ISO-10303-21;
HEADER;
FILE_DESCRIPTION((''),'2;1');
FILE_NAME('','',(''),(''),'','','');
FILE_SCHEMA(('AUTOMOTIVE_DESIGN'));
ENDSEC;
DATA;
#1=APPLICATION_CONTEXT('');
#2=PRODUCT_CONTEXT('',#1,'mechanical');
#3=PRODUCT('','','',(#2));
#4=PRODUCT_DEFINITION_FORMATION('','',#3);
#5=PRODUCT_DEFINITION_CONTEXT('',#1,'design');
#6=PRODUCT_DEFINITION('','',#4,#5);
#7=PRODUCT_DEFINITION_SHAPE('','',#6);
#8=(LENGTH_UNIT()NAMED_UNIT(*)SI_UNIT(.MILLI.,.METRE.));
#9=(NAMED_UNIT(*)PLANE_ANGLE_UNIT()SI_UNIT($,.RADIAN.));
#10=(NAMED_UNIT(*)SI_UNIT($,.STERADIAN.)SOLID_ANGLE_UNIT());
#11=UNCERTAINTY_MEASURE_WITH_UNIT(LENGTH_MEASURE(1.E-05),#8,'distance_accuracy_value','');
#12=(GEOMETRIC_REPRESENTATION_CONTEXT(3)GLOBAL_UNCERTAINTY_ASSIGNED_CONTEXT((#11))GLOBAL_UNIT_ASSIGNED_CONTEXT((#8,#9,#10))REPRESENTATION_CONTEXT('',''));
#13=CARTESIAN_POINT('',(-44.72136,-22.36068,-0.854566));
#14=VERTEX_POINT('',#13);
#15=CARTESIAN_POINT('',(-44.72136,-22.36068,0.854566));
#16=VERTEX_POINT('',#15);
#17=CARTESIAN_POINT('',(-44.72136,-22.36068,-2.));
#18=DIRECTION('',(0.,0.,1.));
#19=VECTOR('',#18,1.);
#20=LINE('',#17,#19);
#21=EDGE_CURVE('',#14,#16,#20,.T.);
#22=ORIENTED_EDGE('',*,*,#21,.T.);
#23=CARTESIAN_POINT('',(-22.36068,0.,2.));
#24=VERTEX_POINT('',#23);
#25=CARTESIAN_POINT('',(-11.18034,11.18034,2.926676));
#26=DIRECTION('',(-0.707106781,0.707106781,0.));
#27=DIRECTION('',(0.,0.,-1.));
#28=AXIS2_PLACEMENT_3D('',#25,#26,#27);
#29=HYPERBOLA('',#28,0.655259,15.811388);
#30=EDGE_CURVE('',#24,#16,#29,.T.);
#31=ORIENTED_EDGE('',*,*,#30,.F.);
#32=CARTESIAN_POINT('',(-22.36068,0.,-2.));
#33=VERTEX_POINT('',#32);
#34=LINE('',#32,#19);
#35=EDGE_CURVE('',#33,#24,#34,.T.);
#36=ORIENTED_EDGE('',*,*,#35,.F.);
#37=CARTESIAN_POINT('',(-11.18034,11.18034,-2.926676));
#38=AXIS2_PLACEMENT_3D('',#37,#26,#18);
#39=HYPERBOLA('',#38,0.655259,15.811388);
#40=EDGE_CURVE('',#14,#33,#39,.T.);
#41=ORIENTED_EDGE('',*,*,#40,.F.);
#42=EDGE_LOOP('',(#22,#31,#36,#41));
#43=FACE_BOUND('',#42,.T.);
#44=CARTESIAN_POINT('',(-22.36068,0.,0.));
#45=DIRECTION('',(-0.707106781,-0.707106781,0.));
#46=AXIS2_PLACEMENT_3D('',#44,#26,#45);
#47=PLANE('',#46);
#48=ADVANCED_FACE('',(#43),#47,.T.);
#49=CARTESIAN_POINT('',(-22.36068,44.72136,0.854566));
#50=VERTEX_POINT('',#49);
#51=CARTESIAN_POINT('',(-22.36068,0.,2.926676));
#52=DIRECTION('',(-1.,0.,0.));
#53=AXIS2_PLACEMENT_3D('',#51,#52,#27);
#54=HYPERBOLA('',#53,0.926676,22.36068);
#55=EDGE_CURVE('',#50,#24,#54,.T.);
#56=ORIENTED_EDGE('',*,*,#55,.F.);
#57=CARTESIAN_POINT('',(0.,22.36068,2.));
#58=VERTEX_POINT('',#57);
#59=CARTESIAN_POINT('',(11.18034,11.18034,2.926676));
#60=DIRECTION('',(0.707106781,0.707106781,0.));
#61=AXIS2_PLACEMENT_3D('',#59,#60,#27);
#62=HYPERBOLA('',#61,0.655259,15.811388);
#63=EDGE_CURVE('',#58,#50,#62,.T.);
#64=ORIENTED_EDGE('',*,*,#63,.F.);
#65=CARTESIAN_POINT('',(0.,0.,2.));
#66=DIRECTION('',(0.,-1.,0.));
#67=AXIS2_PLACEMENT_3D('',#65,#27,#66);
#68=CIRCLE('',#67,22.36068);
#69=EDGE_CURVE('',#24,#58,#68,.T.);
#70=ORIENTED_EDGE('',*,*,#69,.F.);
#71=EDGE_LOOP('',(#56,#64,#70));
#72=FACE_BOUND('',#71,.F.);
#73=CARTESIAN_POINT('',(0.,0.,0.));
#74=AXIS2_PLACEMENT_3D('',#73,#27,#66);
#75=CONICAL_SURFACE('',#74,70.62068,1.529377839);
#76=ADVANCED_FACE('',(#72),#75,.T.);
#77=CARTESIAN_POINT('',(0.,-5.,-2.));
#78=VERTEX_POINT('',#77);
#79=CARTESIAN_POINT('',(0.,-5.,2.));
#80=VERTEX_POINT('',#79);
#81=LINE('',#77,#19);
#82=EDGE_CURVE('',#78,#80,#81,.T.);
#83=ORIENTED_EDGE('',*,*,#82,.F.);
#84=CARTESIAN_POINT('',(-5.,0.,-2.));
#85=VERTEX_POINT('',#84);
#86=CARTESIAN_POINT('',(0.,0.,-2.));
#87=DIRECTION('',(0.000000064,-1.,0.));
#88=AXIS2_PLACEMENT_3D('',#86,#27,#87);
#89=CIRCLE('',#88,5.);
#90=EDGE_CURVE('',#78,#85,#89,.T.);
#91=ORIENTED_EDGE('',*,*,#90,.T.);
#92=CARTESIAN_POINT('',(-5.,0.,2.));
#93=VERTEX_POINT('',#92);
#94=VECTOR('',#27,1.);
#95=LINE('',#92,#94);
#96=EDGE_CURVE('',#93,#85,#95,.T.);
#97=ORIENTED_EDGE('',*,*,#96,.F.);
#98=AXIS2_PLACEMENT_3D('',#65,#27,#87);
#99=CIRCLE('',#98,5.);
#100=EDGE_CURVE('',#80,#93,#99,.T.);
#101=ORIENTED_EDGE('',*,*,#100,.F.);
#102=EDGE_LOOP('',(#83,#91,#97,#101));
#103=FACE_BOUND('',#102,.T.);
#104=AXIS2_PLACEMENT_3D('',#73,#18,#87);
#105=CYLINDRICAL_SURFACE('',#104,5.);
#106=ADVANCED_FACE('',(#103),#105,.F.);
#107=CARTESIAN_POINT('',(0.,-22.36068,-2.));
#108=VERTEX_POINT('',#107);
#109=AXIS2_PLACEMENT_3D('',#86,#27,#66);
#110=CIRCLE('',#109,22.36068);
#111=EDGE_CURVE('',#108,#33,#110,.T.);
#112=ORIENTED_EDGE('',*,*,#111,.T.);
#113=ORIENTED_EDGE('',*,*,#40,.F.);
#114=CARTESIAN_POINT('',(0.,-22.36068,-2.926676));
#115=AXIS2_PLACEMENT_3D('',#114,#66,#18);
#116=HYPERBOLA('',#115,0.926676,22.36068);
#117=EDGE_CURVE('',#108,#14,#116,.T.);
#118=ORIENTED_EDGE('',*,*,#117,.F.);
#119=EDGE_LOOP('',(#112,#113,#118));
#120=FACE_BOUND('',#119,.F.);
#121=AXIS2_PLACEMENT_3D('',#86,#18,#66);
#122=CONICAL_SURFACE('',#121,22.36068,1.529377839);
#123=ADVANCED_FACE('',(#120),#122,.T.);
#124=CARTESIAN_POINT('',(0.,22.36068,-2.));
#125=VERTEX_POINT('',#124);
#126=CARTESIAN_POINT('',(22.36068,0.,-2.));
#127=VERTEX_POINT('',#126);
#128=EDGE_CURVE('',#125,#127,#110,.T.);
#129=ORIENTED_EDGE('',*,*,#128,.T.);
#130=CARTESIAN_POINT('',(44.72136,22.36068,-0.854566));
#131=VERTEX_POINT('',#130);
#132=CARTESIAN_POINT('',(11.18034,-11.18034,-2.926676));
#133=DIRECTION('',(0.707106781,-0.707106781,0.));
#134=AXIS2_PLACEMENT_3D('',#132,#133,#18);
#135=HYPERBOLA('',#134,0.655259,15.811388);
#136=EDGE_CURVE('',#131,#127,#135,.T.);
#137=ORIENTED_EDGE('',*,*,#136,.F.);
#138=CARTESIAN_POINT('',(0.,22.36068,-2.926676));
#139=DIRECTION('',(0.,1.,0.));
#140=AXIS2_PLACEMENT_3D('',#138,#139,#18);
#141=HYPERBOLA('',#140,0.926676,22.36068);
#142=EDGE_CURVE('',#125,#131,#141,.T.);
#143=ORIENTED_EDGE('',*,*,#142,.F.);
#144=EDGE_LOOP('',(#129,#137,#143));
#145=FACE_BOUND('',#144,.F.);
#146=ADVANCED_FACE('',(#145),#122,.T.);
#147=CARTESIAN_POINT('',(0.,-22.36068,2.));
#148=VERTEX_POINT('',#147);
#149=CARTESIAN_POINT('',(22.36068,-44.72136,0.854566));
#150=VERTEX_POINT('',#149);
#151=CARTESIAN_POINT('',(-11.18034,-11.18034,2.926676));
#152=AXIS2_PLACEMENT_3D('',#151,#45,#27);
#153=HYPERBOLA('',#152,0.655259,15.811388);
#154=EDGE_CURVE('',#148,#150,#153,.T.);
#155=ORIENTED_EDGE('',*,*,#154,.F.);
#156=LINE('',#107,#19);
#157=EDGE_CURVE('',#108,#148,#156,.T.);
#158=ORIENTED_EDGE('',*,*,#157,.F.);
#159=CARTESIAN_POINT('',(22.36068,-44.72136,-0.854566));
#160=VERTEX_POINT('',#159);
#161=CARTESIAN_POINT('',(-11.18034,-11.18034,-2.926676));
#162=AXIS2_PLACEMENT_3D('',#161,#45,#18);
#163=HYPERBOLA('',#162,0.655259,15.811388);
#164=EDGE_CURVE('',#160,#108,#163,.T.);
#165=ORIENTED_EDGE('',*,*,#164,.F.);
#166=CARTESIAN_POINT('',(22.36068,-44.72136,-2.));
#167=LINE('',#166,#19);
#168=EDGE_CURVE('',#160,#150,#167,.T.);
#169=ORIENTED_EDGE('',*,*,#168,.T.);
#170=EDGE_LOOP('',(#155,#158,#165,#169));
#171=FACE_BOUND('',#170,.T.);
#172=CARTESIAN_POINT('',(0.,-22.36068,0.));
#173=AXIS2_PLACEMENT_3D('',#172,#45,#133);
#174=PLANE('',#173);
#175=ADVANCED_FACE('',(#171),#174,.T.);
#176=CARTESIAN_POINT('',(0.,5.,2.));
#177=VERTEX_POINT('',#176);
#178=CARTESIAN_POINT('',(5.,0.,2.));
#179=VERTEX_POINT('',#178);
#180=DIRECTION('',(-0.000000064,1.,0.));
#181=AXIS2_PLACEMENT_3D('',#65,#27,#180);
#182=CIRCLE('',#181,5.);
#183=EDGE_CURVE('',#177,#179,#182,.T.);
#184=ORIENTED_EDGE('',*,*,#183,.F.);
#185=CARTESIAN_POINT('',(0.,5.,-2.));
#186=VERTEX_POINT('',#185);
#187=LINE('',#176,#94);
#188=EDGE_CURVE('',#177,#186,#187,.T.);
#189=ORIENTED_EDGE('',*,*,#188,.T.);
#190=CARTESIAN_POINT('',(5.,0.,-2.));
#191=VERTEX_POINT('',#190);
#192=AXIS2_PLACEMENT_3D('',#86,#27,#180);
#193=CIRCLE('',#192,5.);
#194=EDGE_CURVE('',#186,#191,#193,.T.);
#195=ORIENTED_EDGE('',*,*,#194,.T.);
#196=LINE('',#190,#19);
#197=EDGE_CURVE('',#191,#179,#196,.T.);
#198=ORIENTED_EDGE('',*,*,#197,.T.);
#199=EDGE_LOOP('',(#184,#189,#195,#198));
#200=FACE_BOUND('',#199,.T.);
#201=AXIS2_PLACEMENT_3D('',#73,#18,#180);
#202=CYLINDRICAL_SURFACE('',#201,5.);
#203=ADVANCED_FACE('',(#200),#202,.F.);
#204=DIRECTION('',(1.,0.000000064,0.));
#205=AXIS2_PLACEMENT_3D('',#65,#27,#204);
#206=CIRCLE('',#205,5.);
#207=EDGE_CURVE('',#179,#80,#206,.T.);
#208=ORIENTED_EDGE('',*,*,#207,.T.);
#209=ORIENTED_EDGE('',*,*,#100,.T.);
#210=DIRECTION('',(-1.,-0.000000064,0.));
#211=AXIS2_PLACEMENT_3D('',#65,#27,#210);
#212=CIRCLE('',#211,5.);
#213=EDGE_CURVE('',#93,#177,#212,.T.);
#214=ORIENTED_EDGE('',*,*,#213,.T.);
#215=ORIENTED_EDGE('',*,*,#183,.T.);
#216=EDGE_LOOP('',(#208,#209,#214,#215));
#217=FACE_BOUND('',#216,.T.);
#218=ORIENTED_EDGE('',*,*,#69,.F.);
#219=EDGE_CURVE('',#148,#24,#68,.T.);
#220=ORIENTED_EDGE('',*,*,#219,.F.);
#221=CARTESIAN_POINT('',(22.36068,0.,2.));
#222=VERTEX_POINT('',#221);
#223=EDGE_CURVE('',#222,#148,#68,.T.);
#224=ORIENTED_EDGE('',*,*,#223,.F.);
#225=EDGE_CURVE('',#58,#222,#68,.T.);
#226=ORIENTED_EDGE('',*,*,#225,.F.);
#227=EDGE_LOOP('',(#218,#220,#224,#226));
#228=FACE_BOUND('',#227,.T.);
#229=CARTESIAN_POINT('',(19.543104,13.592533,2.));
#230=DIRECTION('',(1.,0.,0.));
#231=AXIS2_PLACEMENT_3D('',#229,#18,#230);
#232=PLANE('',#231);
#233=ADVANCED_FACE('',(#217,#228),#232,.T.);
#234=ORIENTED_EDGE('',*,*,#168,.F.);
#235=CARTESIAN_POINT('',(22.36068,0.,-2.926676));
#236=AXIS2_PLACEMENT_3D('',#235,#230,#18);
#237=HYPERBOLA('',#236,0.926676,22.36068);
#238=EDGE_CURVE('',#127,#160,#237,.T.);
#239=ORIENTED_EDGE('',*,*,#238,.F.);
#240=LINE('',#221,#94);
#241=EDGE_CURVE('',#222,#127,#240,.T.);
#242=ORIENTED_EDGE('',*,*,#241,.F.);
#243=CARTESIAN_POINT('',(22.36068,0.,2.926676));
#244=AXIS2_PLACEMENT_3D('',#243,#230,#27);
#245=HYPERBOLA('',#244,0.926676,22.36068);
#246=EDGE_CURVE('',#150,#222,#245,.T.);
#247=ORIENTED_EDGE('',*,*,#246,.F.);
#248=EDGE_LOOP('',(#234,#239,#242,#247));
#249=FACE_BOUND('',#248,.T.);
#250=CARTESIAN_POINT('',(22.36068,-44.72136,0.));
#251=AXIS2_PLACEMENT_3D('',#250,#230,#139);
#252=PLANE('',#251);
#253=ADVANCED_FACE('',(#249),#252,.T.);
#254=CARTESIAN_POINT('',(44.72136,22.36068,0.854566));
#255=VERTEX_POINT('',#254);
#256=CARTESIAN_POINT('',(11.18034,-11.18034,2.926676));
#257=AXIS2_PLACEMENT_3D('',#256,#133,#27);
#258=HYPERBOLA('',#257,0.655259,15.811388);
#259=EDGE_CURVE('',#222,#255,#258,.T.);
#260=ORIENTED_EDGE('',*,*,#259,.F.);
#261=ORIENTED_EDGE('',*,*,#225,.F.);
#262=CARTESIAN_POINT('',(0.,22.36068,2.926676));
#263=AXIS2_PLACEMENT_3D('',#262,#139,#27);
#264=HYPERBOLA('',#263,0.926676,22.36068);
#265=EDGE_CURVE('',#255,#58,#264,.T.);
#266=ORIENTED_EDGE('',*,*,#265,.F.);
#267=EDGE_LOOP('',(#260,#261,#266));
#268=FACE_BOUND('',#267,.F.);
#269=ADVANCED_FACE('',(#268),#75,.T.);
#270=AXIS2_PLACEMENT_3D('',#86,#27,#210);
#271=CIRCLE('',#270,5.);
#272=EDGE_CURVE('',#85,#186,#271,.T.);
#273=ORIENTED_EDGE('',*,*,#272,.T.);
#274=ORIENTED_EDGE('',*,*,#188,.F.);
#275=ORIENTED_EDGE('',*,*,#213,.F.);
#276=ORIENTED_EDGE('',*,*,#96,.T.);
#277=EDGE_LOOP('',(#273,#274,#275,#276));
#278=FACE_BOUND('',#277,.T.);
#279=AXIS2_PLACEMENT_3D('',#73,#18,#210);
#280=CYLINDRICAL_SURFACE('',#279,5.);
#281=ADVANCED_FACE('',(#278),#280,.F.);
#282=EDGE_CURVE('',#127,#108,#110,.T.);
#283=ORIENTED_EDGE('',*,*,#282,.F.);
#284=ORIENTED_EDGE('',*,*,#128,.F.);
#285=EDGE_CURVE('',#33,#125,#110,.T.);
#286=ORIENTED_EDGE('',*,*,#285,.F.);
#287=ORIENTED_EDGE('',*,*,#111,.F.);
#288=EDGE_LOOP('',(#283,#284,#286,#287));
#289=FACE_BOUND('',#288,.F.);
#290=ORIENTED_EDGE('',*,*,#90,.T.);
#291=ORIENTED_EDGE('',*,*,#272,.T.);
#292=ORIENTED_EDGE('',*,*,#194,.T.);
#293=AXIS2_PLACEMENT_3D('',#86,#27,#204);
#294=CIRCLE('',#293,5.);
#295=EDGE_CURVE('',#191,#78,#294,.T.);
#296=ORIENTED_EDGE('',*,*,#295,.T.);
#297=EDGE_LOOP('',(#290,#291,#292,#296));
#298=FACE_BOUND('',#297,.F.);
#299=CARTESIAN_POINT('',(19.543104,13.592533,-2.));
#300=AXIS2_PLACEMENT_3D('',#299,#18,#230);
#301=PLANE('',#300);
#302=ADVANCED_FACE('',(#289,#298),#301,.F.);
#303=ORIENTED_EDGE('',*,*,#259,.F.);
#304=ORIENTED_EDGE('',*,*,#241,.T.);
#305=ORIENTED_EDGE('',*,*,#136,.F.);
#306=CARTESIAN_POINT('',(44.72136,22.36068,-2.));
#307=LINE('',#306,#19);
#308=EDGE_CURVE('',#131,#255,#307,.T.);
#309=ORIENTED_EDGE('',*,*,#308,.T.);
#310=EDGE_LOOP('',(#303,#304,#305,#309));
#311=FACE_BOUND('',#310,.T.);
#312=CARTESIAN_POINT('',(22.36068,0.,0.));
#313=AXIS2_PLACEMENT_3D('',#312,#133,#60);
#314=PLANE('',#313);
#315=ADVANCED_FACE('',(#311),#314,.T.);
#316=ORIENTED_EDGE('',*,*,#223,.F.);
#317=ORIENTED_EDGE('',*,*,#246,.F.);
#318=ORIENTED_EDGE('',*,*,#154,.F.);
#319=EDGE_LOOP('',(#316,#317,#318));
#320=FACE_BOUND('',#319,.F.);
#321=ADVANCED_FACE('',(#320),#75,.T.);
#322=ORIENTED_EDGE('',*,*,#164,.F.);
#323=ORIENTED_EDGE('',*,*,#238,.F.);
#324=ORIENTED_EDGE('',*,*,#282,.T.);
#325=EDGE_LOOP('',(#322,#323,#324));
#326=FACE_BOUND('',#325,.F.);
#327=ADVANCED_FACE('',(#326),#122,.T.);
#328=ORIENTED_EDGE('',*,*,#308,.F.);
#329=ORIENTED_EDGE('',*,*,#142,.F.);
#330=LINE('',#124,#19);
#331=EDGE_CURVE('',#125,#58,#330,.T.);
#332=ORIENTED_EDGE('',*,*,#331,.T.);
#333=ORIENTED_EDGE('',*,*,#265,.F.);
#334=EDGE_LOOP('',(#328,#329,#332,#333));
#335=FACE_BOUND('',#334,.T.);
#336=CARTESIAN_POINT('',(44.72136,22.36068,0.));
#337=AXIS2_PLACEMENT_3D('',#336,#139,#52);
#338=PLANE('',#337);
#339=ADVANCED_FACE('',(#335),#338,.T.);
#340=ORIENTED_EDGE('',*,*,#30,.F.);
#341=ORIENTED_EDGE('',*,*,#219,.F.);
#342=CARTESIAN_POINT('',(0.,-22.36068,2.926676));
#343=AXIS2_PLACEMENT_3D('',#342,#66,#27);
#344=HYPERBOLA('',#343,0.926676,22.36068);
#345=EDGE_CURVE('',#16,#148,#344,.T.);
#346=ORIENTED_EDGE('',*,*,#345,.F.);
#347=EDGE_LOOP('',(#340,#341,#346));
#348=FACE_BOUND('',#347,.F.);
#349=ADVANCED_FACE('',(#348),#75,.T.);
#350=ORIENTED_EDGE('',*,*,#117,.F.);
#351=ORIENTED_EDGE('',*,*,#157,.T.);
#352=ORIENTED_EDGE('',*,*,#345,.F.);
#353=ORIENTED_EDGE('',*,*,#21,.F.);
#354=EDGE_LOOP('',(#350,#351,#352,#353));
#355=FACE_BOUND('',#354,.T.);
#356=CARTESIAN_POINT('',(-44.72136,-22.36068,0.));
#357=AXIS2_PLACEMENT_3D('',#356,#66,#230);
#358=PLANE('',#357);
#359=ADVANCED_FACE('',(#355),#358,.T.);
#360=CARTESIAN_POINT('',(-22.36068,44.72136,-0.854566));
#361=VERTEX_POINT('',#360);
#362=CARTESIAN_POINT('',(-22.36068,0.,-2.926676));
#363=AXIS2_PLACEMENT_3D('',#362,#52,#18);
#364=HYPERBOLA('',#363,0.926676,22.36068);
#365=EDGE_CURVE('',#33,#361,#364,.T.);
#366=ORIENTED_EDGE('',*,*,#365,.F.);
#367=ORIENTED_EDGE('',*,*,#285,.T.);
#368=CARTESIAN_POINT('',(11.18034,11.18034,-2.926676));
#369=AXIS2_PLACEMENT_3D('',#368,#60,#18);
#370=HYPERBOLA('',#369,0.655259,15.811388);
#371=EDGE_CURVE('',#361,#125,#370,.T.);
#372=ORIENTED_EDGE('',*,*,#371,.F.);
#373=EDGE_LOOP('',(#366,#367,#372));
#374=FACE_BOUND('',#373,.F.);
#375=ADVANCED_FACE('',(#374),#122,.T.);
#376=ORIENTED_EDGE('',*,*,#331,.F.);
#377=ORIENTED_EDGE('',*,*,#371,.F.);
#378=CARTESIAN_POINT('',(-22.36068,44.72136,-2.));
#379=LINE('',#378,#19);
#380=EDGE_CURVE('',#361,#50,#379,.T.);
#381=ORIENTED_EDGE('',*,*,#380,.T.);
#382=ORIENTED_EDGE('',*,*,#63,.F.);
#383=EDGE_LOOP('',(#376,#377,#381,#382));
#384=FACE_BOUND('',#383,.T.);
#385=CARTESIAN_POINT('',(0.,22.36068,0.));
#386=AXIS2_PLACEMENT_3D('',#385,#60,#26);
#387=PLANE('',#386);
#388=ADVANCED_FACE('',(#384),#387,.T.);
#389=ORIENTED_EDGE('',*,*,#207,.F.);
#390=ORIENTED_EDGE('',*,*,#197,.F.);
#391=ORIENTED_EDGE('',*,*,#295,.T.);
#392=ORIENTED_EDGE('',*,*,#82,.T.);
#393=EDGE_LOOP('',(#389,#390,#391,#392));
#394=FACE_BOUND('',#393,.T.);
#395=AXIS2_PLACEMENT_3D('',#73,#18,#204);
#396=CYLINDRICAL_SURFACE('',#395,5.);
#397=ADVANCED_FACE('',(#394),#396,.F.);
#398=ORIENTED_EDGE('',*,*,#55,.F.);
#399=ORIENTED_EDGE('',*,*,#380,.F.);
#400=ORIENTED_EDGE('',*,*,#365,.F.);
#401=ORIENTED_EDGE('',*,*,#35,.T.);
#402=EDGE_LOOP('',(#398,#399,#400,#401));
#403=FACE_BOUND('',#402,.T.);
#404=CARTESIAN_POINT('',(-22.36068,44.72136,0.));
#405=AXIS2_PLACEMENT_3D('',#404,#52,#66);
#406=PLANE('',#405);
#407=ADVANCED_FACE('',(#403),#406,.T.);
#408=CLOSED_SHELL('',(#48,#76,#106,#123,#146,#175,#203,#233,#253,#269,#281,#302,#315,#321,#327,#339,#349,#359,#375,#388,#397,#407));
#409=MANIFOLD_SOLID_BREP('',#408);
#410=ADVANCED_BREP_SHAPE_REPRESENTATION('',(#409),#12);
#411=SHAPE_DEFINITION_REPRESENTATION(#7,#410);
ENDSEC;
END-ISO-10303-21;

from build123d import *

# Parameters (mm, degrees)
F1_DEPTH = 2


with BuildPart() as f1:
    # F0 (on Top) → F1 (new body, symmetric)
    with BuildSketch(Plane.XY):
        with BuildLine():
            Line((0, 22.36068), (0, 5))
            ThreePointArc((0, 5), (3.535534, 3.535534), (5, 0))
            Line((5, 0), (22.36068, 0))
            Line((22.36068, 0), (44.72136, 22.36068))
            Line((44.72136, 22.36068), (22.36068, 22.36068))
            Line((22.36068, 22.36068), (0, 22.36068))
        make_face()
        with BuildLine():
            Line((-22.36068, 0), (-5, 0))
            ThreePointArc((-5, 0), (-3.535534, 3.535534), (0, 5))
            Line((0, 5), (0, 22.36068))
            Line((0, 22.36068), (-22.36068, 44.72136))
            Line((-22.36068, 44.72136), (-22.36068, 22.36068))
            Line((-22.36068, 22.36068), (-22.36068, 0))
        make_face()
        with BuildLine():
            ThreePointArc((0, -5), (-3.535534, -3.535534), (-5, 0))
            Line((-5, 0), (-22.36068, 0))
            Line((-22.36068, 0), (-44.72136, -22.36068))
            Line((-44.72136, -22.36068), (-22.36068, -22.36068))
            Line((-22.36068, -22.36068), (0, -22.36068))
            Line((0, -22.36068), (0, -5))
        make_face()
        with BuildLine():
            Line((22.36068, 0), (5, 0))
            ThreePointArc((5, 0), (3.535534, -3.535534), (0, -5))
            Line((0, -5), (0, -22.36068))
            Line((0, -22.36068), (22.36068, -44.72136))
            Line((22.36068, -44.72136), (22.36068, -22.36068))
            Line((22.36068, -22.36068), (22.36068, 0))
        make_face()
    extrude(amount=F1_DEPTH, both=True)

    # F2 (on Right) → F3 (revolve, cut)
    with BuildSketch(Plane.YZ):
        Polygon((-70.62068, 0), (-22.36068, 2), (-70.62068, 2), align=None)
        Polygon((-70.62068, -2), (-22.36068, -2), (-70.62068, 0), align=None)
    revolve(axis=Axis((0, 0, 2), (0, 0, -1)), mode=Mode.SUBTRACT)


solid = f1.part
